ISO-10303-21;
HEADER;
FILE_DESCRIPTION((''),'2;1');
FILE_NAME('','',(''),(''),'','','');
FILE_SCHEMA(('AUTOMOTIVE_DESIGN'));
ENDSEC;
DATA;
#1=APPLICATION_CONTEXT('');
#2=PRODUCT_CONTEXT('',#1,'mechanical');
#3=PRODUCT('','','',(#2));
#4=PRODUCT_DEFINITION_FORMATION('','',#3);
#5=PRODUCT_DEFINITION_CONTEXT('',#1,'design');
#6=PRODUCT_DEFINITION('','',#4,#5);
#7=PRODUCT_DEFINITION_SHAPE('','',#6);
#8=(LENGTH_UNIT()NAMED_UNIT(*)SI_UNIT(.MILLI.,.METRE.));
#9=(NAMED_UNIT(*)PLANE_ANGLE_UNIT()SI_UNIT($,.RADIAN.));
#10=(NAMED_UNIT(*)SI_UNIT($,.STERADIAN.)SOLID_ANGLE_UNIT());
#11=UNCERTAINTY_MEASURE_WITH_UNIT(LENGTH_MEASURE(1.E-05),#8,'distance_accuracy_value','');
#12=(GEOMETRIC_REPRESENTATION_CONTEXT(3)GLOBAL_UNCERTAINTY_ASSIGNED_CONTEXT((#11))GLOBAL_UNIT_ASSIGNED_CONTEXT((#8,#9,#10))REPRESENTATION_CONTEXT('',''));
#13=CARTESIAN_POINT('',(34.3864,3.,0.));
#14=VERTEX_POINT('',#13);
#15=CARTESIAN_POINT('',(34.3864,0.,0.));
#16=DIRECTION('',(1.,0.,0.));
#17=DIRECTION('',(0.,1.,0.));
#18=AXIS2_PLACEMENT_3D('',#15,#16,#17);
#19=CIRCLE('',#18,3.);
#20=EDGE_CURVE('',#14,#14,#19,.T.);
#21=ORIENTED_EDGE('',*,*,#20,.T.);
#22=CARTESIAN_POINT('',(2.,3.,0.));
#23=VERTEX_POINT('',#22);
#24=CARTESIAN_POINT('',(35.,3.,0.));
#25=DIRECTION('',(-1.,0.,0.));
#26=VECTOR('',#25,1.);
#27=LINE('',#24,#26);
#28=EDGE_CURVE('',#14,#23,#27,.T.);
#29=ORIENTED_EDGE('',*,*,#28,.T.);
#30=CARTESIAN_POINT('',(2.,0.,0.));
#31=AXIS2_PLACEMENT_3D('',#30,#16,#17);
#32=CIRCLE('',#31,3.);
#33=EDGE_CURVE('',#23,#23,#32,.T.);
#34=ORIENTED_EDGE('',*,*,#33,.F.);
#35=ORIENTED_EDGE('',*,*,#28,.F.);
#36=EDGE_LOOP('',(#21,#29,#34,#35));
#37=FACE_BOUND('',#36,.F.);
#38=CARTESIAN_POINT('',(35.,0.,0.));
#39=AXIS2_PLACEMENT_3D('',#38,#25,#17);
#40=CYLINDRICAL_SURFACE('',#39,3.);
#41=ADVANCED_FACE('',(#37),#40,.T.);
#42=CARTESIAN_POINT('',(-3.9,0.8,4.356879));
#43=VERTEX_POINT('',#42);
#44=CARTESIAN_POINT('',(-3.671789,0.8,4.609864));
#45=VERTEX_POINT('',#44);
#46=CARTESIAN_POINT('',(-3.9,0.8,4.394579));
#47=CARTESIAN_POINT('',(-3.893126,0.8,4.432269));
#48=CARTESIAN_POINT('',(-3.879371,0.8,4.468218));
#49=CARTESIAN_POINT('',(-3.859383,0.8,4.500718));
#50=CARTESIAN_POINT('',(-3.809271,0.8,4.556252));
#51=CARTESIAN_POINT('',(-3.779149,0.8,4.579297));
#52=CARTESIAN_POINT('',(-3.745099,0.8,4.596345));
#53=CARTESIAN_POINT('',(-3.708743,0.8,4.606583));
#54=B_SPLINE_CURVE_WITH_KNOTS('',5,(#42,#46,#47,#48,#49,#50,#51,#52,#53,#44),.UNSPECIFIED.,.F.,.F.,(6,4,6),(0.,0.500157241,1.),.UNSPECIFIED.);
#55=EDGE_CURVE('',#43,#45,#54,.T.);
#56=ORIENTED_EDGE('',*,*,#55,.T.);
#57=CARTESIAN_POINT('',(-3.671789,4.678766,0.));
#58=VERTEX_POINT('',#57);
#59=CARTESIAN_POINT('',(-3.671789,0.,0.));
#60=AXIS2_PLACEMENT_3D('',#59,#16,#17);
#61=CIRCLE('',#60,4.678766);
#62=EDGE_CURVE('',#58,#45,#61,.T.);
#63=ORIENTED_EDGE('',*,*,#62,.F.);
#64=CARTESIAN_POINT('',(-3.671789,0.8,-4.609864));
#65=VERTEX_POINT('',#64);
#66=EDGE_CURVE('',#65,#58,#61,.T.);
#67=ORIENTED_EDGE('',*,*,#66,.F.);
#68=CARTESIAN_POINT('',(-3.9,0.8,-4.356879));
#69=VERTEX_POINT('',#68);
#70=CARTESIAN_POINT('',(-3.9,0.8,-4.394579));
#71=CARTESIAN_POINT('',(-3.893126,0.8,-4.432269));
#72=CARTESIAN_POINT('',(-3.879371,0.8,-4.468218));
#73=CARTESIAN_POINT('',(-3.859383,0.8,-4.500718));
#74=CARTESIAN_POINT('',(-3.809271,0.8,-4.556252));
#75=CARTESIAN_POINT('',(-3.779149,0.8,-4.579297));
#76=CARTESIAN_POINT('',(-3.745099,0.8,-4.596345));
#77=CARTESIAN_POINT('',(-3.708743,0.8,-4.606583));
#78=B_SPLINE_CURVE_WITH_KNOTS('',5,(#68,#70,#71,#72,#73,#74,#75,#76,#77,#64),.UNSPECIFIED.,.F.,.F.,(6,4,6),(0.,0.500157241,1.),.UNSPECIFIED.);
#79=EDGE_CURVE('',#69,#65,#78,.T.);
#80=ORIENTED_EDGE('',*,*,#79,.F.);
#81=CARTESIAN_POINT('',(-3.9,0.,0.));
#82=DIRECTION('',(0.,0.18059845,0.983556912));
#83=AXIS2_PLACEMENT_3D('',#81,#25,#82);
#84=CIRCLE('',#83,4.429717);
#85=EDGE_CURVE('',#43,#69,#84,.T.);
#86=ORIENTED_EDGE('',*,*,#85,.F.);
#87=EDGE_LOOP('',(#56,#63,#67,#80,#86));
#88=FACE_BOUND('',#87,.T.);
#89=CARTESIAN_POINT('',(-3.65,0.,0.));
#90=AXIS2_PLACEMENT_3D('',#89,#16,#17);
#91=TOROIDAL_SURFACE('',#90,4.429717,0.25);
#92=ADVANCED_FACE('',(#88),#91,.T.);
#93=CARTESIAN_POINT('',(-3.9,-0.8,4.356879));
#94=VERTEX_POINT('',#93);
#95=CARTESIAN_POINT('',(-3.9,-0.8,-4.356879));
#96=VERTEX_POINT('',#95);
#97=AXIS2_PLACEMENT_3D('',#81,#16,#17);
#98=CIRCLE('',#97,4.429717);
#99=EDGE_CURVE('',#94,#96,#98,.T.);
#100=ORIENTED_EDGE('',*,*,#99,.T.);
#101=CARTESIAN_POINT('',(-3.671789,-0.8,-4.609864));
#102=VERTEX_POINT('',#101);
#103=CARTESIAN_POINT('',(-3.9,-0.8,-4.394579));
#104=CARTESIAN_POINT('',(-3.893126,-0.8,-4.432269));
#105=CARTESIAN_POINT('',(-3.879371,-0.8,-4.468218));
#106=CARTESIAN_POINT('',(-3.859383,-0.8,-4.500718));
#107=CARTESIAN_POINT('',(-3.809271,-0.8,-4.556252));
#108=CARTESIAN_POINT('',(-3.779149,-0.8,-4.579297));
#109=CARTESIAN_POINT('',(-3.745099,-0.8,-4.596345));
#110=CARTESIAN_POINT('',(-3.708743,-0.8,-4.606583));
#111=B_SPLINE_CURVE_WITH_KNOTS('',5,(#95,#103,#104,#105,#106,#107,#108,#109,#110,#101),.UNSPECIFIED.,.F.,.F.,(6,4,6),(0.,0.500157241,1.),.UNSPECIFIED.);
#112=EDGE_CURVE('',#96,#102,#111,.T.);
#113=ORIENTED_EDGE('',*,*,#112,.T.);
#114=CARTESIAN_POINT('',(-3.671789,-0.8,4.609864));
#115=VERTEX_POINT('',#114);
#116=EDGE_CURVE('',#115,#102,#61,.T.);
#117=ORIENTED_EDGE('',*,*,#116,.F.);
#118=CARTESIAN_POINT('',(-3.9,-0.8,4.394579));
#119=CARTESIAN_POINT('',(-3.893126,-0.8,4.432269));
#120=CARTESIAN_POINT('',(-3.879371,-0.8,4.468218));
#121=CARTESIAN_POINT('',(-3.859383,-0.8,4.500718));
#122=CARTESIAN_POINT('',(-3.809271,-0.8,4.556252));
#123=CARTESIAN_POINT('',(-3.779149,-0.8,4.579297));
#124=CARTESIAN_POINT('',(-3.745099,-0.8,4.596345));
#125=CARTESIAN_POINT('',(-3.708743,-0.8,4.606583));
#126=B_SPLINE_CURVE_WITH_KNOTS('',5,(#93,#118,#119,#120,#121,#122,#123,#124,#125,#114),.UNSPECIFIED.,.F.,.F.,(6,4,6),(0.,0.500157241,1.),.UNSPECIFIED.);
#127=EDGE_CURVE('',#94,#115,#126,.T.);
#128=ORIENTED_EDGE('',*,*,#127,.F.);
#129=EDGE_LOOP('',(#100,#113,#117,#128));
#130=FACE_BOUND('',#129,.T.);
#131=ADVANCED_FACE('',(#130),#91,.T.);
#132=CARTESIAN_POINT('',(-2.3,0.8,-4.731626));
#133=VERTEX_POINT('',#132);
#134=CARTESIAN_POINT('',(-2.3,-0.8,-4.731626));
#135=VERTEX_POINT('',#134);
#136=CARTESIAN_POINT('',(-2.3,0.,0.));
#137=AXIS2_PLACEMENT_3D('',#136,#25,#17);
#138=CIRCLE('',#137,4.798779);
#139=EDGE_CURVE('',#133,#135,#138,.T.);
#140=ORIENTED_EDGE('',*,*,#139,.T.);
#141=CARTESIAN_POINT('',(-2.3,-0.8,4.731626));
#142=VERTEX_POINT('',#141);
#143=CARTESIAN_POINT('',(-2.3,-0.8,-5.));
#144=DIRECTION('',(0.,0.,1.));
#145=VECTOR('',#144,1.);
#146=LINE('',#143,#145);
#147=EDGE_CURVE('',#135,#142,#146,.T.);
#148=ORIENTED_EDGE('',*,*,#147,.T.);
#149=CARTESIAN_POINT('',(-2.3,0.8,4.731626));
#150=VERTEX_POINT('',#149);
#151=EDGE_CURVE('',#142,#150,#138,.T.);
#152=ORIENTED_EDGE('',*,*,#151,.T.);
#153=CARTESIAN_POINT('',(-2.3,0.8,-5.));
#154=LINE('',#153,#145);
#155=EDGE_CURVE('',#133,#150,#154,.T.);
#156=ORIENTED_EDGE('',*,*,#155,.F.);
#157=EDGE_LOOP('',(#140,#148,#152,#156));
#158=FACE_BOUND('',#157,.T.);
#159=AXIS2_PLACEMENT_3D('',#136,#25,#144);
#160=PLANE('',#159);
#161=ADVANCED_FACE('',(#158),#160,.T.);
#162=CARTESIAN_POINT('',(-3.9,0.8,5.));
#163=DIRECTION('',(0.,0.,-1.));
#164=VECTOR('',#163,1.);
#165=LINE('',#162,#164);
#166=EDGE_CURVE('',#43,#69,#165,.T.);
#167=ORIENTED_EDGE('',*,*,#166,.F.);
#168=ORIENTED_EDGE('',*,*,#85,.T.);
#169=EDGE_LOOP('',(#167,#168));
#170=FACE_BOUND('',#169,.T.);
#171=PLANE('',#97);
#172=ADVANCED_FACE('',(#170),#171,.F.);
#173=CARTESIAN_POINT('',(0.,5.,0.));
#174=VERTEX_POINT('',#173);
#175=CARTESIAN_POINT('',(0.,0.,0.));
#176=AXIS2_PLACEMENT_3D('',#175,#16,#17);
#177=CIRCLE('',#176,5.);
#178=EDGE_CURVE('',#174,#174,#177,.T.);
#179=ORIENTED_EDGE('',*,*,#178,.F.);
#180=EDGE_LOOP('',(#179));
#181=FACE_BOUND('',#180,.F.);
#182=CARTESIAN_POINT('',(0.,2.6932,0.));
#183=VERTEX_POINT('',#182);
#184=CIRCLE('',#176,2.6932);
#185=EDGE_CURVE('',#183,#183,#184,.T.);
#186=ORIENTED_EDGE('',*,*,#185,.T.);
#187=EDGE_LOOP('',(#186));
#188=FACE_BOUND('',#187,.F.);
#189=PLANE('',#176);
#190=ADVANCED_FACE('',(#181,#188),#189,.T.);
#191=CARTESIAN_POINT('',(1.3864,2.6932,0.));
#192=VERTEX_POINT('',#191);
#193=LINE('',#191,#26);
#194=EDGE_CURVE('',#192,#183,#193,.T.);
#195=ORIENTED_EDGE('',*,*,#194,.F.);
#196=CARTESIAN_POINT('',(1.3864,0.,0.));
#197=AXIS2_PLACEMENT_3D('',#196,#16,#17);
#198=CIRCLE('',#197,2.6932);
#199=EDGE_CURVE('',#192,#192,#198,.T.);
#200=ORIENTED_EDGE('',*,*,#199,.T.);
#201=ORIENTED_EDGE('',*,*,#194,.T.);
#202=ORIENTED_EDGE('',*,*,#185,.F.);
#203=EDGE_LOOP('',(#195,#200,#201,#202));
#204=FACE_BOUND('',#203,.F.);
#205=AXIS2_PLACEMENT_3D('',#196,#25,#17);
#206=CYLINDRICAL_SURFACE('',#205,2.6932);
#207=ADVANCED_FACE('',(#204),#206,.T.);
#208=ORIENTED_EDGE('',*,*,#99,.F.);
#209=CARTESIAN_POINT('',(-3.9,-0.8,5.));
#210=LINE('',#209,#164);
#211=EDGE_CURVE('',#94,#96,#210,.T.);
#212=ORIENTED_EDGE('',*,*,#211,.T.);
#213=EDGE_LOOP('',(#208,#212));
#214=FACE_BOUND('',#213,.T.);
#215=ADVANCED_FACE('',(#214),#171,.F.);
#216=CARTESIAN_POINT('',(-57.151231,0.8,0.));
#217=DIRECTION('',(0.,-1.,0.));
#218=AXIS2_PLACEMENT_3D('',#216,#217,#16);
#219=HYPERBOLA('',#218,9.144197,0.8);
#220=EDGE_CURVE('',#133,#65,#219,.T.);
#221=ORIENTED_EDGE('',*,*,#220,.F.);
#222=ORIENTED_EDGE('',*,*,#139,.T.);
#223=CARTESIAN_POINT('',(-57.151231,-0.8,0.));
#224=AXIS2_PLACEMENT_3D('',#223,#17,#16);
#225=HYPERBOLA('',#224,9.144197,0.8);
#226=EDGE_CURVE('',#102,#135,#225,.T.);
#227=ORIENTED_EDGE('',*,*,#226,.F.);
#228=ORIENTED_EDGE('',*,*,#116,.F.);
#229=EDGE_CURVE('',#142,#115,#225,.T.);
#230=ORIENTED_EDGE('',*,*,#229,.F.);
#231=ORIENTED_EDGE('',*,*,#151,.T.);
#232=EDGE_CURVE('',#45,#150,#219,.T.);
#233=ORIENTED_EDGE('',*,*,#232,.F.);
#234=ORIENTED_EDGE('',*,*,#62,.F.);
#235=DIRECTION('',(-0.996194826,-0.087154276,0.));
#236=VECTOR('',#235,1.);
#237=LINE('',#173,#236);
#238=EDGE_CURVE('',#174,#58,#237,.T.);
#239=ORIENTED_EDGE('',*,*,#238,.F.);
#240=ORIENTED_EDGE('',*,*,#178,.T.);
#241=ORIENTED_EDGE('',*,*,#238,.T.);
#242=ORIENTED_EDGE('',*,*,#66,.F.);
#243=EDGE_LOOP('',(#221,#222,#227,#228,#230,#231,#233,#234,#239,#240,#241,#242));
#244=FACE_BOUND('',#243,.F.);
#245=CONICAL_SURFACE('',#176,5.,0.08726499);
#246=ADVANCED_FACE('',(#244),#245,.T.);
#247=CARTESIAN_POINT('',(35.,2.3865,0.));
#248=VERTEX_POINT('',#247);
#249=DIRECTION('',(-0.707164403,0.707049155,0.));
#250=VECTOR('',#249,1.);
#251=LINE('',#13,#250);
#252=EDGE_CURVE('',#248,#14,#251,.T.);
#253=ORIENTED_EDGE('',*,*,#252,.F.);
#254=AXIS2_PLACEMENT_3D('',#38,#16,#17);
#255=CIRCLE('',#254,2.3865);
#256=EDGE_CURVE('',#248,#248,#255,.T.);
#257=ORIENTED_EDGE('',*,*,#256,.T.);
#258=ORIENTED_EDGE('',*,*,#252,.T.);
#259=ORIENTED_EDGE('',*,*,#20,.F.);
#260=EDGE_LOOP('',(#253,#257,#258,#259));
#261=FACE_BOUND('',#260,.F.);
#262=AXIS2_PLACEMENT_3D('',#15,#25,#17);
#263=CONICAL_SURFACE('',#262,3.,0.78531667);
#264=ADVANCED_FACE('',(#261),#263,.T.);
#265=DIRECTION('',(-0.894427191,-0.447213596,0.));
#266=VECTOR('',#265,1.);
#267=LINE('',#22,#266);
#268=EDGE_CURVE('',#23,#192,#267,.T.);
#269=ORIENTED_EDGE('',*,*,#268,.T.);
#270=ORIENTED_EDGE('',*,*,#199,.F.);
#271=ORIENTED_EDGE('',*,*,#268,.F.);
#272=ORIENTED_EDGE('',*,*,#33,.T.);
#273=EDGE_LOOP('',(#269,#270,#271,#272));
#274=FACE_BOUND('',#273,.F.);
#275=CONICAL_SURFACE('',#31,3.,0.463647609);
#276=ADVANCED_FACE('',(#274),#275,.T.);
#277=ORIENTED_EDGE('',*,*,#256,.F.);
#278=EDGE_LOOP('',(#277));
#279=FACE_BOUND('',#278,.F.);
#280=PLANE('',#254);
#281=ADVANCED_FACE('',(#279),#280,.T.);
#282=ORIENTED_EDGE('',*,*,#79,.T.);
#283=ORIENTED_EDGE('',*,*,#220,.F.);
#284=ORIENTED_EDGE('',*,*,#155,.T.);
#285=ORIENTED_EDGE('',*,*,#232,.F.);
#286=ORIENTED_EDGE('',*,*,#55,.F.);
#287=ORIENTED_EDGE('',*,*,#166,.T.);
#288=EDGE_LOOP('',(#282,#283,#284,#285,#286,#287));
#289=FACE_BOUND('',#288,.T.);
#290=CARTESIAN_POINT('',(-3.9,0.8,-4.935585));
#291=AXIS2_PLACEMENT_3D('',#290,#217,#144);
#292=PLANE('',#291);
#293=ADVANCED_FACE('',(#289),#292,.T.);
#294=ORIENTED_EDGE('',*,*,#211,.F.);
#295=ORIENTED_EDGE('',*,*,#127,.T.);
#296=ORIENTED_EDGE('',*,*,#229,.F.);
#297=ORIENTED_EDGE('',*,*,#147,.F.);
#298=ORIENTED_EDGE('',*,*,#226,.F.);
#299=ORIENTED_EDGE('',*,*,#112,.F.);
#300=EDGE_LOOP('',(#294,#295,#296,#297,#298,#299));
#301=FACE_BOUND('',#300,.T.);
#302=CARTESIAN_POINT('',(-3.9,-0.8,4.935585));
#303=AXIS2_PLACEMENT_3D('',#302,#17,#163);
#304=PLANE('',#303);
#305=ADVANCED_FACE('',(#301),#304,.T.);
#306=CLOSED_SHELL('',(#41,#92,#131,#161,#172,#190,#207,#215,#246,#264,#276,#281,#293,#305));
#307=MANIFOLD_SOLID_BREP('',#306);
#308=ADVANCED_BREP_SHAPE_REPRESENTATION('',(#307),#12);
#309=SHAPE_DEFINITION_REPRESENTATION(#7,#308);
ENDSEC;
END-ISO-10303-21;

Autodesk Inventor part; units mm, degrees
ref_plane "YZ Plane" through (0, 0, 0) normal (1, 0, 0) x (0, 1, 0)
ref_plane "XZ Plane" through (0, 0, 0) normal (0, 1, 0) x (-1, 0, 0)
sketch "Sketch1" plane through (0, 0, 0) normal (0, 0, 1) x (1, 0, 0)
  line L0 (-3.9, 0) -> (35, 0)
  line L1 (35, 0) -> (35, 3)
  line L2 (35, 3) -> (2, 3)
  line L3 (2, 3) -> (1.3864, 2.6932)
  line L4 (1.3864, 2.6932) -> (0, 2.6932)
  line L5 (0, 2.6932) -> (0, 5)
  line L6 (-11.68, 0) -> (42.78, 0) projected
  line L7 (0, -1) -> (0, 6) projected
  line L8 (-3.9, 0) -> (-3.9, 4.6588)
  line L9 (0, 5) -> (-3.9, 4.6588)
  line L10 (2, 3) -> (0, 3) construction
  dimension "d0" = 35
  dimension "d1" = 33
  dimension "d2" = 0.6136
  dimension "d3" = 3.9
  dimension "d4" = 6
  dimension "d5" = 5.3865
  dimension "d9" = 10
  dimension "d10" = 5
revolve "Body" add sketch "Sketch1" angle 360 about axis through (-3.9, 0, 0) along (1, 0, 0)
sketch "Sketch2" plane through (-3.9, 0, 0) normal (-1, 0, 0) x (0, 0, 1)
  circle A0 centre (0, 0) radius 5 projected
  line L0 (0, 0) -> (0, 4.6588) projected
  line L1 (-5, 0.8) -> (5, 0.8)
  line L2 (5, 0.8) -> (5, -0.8)
  line L3 (5, -0.8) -> (-5, -0.8)
  line L4 (-5, -0.8) -> (-5, 0.8)
  line L5 (-5, 0) -> (5, 0) construction
  line L6 (0, 0.8) -> (0, -0.8) construction
  dimension "d11" = 1.6
  dimension "d12" = 10
fillet "Fillet1" radius 0.25 1 edges at (-3.9, -4.6588, 0)
extrude "Slot" cut sketch "Sketch2" against normal blind 1.6 contours A0 L3 L1 | L2 L3 A0 | A0 L1 L2 | A0 L4 L1 | L3 L4 A0
thread "Thread" size "M6x1" class "6g" standard "ISO Metric profile" length 33
chamfer "Chamfer1" distance 0.6135 distance2 0.6136 1 edges at (35, -3, 0) measured on face at (35, 0.7485, -0.6631)
ref_plane "Work Plane1" through (30.1625, 0, 0) normal (0, 0, -1) x (1, 0, 0)
equation "\"d11\" = SBR"
equation "\"d12\" = KOD"
equation "\"d14\" = RR"
equation "\"d19\" = STI"
equation "\"d15\" = GEL"
equation "\"d17\" = -0.5 * SPD + 0.5 * GD"
equation "\"d0\" = NLG"
equation "\"d1\" = GEL"
equation "\"d3\" = KOH"
equation "\"d4\" = GD"
equation "\"d5\" = BDM"
equation "\"d9\" = KOD"
equation "\"d10\" = KEWI"
equation "\"GD\" = NND"
equation "\"NLG\" = 35"
equation "\"GEL\" = 33"
equation "\"KOD\" = 10"
equation "\"KOH\" = 3.9"
equation "\"GAL\" = 0.61345 * PTC"
equation "\"SPD\" = NND - 1.2269 * PTC"
equation "\"BDM\" = 5.3865"
equation "\"GUL\" = 0.61345 * PTC"
equation "\"RR\" = 0.25"
equation "\"SBR\" = 1.6"
equation "\"STI\" = 1.6"
equation "\"KEWI\" = 5deg"
equation "\"PTC\" = 1"
equation "\"THREADDIA\" = 6"
equation "\"TOA\" = 30deg"
equation "\"NND\" = 6"
equation "\"GD1\" = THREADDIA - 1.2269 * PTC"
properties part number "ISO 1207 - M6 x 35" material "Stainless Steel, 440C"
